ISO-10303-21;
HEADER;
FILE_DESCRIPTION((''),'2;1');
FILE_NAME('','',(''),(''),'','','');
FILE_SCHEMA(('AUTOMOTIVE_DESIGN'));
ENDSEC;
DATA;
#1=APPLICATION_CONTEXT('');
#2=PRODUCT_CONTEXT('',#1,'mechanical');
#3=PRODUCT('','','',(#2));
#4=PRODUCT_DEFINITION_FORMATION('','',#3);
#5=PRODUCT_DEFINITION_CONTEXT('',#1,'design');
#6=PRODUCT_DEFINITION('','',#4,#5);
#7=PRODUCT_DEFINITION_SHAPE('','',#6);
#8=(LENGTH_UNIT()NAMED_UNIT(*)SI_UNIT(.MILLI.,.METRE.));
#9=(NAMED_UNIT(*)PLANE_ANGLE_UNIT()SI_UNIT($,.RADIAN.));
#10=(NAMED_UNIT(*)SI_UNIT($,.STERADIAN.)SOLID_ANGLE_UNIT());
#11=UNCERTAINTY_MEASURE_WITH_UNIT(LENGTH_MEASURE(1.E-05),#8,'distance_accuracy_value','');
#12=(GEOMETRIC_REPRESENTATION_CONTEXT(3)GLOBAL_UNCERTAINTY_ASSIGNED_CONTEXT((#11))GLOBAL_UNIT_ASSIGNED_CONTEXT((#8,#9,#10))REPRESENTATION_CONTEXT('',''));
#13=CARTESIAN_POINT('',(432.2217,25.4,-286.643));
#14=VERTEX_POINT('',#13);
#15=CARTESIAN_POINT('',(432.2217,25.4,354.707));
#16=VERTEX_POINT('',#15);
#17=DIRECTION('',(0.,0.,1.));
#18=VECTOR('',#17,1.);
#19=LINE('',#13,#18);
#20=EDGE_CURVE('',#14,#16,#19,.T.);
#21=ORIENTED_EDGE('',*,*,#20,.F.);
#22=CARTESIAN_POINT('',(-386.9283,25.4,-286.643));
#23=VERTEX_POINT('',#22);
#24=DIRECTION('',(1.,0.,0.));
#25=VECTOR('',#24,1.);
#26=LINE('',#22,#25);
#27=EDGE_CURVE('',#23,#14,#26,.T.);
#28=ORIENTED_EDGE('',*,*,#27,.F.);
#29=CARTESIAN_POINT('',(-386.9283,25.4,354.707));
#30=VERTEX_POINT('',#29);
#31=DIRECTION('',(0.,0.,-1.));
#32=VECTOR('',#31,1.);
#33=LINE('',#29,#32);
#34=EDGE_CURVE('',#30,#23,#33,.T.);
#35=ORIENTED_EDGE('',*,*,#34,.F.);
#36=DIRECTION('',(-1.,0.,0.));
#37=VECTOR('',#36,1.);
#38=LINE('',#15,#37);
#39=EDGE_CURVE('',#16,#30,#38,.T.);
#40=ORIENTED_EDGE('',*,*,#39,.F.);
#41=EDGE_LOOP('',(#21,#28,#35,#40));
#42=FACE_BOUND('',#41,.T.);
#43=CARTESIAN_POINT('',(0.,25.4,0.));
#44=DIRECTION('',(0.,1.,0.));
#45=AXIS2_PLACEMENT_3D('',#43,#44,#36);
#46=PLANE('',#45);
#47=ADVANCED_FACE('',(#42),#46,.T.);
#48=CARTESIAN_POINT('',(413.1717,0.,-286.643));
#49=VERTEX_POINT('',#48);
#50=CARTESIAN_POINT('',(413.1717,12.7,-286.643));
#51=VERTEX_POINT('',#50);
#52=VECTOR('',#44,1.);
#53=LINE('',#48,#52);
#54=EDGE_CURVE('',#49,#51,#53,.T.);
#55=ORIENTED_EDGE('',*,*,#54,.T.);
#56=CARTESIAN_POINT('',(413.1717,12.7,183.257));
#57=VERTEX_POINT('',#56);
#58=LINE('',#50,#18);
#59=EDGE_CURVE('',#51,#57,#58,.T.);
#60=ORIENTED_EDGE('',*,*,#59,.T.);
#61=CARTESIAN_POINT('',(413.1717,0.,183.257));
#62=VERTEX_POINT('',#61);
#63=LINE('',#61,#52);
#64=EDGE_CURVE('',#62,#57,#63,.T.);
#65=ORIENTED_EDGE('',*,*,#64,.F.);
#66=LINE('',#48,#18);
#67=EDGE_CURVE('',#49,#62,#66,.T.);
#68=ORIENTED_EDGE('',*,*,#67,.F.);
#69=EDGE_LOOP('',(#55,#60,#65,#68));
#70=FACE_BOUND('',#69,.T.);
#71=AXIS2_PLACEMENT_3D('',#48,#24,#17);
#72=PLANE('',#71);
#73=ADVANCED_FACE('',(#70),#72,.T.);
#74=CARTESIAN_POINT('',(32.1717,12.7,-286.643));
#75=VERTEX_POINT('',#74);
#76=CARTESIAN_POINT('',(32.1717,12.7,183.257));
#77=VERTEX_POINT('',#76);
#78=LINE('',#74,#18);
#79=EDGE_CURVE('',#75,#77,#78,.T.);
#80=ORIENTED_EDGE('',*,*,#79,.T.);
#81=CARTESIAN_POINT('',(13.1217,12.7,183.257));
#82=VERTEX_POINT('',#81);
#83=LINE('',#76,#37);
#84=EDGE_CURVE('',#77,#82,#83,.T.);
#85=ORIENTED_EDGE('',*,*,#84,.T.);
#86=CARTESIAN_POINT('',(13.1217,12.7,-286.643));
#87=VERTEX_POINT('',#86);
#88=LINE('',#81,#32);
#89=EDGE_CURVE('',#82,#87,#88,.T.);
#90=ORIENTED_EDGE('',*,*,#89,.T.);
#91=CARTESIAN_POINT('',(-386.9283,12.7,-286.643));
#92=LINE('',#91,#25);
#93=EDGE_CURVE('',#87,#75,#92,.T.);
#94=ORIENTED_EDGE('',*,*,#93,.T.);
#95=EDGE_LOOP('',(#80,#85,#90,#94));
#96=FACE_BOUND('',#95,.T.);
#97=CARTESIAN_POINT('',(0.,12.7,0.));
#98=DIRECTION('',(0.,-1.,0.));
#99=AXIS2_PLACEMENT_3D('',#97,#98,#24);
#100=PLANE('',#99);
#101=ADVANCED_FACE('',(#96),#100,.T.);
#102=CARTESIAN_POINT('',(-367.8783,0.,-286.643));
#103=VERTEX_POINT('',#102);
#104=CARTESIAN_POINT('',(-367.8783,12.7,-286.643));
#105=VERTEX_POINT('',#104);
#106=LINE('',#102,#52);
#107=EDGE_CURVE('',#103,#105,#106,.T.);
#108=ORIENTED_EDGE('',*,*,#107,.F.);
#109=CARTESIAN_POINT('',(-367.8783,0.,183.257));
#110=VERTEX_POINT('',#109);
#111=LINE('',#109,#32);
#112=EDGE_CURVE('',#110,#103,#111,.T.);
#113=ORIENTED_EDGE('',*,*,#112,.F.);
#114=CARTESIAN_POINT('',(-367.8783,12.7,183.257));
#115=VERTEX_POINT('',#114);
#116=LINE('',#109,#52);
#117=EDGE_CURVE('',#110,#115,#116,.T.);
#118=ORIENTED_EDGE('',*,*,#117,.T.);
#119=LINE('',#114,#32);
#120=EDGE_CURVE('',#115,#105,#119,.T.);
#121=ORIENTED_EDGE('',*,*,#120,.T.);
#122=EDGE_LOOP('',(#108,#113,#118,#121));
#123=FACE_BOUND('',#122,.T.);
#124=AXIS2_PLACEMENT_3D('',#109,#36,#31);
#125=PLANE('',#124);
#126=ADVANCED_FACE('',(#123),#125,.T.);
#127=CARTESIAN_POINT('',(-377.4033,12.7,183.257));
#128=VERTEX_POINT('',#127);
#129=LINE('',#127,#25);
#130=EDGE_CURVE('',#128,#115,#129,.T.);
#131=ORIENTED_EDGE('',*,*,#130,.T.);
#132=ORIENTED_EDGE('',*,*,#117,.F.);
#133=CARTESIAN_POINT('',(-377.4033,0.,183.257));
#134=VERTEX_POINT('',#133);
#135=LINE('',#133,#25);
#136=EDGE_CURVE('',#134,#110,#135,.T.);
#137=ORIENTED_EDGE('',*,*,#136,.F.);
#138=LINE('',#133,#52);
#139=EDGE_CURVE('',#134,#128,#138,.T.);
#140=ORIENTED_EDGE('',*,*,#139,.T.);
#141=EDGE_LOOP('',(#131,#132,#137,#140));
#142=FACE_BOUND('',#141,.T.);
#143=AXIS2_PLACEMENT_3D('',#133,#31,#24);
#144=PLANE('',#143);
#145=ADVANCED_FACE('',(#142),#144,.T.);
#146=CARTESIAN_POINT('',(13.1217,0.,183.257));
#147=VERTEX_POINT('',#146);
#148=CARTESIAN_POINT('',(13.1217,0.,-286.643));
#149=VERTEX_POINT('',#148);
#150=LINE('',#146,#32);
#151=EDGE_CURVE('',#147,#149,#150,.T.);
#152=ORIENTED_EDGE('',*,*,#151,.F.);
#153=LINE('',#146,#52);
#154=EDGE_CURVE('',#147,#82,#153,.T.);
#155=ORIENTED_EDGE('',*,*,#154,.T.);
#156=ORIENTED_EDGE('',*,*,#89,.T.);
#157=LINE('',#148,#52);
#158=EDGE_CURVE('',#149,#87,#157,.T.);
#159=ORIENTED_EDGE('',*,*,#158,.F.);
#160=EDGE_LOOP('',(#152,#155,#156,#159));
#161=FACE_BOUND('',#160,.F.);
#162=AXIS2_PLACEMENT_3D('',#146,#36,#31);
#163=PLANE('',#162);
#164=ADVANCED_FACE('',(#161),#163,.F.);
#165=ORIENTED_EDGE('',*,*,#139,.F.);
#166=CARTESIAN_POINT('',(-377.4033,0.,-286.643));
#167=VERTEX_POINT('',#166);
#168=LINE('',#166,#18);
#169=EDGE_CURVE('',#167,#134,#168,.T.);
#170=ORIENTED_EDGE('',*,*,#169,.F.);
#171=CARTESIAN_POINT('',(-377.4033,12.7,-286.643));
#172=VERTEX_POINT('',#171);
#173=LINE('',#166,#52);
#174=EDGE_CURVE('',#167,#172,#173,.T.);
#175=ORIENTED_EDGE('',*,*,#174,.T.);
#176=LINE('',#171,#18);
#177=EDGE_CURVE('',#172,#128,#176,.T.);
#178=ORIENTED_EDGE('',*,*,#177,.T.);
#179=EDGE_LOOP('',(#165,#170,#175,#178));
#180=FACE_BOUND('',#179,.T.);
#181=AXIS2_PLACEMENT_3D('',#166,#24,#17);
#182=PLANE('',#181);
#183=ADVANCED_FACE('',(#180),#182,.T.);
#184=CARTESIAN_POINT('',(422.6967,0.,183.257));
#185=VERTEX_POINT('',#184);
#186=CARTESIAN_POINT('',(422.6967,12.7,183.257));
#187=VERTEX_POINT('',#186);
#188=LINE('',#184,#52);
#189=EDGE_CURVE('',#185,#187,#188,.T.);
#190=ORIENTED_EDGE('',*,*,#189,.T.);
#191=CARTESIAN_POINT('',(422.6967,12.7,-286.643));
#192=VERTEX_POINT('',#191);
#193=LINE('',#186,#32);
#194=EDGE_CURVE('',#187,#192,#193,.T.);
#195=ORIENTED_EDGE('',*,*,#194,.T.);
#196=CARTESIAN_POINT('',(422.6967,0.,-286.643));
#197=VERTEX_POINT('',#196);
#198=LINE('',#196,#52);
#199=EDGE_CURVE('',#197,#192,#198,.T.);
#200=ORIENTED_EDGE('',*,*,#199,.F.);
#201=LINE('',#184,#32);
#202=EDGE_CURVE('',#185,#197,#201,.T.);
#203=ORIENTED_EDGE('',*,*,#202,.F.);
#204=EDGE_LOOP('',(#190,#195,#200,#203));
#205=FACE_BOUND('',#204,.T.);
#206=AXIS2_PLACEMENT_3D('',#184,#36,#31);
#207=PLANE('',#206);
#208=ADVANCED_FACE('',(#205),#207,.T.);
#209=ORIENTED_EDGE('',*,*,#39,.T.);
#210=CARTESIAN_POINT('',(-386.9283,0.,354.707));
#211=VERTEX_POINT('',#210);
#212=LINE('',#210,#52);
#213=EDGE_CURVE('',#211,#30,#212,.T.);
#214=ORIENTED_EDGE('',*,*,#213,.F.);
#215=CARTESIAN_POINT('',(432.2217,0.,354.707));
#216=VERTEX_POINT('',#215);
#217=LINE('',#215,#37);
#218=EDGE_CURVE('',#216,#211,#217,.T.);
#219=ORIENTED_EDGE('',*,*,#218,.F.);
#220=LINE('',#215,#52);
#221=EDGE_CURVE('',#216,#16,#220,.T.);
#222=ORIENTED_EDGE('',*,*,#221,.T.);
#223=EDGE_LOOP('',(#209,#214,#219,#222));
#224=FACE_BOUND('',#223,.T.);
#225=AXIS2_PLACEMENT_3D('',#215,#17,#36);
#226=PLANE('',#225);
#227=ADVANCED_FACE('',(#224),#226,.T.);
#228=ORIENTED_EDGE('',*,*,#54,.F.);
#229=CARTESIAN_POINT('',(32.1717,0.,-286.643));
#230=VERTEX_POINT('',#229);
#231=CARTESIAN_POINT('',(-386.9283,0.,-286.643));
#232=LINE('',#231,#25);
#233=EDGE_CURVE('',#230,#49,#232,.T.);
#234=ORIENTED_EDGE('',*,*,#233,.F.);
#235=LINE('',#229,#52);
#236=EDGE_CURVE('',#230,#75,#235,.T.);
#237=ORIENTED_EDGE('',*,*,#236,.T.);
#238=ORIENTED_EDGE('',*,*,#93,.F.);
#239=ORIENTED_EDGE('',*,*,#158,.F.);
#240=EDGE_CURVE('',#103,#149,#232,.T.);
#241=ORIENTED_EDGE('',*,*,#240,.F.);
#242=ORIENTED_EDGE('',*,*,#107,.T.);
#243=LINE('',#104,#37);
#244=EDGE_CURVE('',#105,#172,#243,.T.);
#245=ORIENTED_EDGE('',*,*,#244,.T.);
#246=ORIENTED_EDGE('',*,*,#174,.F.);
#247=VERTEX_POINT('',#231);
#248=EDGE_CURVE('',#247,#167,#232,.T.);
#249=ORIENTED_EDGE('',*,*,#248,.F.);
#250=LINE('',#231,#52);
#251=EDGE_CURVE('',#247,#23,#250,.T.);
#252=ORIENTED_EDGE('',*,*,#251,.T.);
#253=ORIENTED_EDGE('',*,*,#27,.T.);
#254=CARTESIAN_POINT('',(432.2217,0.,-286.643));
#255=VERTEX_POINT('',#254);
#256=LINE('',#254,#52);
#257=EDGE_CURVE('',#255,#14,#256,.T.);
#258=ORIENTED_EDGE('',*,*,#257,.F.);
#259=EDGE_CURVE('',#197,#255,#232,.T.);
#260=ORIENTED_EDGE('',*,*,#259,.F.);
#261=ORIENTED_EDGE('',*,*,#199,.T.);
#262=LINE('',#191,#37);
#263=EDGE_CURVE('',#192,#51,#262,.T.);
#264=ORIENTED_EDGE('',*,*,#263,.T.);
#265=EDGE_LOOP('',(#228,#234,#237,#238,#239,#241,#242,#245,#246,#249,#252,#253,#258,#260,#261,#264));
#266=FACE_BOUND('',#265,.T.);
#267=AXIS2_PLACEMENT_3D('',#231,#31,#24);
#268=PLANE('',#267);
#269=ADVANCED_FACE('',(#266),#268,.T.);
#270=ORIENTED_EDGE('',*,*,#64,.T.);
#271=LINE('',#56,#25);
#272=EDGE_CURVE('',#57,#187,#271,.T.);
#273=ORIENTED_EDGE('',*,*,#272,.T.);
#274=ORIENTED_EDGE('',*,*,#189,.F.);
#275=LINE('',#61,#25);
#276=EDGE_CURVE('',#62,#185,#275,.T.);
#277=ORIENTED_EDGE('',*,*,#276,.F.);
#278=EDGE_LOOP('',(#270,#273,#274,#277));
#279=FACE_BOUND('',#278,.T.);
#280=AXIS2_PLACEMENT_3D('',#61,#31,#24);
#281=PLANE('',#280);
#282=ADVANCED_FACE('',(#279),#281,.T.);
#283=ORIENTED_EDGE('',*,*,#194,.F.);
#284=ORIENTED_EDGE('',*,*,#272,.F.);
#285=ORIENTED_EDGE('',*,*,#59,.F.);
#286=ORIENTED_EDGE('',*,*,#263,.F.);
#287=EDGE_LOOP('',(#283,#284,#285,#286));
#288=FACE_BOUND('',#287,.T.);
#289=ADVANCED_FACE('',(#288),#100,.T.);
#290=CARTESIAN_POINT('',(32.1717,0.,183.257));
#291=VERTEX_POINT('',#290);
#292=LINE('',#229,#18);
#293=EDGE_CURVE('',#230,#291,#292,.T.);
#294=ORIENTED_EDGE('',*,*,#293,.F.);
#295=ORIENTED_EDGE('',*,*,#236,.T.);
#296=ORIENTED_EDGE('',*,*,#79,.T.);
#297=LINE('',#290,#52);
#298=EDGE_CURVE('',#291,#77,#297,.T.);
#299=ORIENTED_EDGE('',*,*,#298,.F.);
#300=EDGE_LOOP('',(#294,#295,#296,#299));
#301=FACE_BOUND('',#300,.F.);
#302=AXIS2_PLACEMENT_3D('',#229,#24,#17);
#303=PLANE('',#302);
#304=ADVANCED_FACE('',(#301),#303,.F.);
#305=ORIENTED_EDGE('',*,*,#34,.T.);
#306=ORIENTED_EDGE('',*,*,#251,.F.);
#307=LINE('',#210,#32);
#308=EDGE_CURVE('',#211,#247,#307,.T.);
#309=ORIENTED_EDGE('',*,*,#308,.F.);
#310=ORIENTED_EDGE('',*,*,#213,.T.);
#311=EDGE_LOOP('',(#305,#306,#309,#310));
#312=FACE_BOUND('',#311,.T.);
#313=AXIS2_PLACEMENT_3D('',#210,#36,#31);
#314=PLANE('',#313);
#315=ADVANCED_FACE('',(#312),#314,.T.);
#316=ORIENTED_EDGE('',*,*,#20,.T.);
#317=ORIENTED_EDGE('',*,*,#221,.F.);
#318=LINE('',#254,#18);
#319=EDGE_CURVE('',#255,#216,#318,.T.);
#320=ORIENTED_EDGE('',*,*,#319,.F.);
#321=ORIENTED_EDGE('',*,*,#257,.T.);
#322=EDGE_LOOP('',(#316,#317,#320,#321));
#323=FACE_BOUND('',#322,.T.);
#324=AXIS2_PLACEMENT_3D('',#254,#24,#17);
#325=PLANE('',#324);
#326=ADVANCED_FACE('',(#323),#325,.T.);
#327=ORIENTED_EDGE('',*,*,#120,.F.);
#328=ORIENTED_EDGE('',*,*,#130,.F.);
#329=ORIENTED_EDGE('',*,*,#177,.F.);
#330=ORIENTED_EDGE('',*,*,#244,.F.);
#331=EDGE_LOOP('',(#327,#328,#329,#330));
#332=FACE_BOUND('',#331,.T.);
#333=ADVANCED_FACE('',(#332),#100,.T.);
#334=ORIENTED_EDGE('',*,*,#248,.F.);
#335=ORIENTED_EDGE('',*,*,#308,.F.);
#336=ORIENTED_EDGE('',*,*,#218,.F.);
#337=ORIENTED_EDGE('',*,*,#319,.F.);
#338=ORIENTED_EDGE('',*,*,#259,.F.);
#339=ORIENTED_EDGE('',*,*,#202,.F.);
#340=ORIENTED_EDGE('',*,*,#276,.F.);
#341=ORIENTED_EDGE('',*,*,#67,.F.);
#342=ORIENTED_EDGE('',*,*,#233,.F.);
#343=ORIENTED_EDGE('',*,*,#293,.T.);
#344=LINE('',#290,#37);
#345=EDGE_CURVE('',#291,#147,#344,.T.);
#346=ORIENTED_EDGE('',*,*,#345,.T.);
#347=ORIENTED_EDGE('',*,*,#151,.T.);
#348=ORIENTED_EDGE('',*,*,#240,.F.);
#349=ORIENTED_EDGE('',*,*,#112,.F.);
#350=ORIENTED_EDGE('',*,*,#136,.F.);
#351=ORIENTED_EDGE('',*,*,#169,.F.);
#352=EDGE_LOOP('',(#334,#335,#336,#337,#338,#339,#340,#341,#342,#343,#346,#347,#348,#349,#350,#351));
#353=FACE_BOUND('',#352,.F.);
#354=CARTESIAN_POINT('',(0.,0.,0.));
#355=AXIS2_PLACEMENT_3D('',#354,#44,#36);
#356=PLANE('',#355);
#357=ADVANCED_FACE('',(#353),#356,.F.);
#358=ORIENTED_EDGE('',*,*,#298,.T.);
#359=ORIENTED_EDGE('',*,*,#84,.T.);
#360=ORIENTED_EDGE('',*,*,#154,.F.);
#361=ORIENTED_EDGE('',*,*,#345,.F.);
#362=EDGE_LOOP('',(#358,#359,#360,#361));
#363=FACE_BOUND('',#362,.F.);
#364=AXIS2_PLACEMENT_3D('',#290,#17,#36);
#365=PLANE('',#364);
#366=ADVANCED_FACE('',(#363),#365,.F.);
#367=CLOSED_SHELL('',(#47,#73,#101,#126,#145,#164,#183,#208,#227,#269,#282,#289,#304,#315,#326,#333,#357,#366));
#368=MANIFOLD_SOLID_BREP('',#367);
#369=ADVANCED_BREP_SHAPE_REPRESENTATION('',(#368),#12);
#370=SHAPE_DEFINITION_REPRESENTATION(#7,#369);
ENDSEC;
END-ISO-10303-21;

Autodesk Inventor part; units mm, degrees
ref_plane "YZ Plane" through (0, 0, 0) normal (1, 0, 0) x (0, 1, 0)
ref_plane "XZ Plane" through (0, 0, 0) normal (0, 1, 0) x (-1, 0, 0)
ref_plane "XY Plane" through (0, 0, 0) normal (0, 0, 1) x (1, 0, 0)
sketch "Sketch1" plane through (0, 0, 0) normal (0, 1, 0) x (-1, 0, 0)
  line L0 (386.9283, -286.643) -> (-432.2217, -286.643)
  line L1 (-432.2217, -286.643) -> (-432.2217, 354.707)
  line L2 (-432.2217, 354.707) -> (386.9283, 354.707)
  line L3 (386.9283, 354.707) -> (386.9283, -286.643)
  point P0 (0, 0)
  dimension "d0" = 641.35
  dimension "d1" = 819.15
extrude "Board" add sketch "Sketch1" along normal blind 25.4
sketch "Sketch2" plane through (0, 0, 0) normal (0, -1, 0) x (1, 0, 0)
  line L0 (422.6967, -286.643) -> (413.1717, -286.643)
  line L1 (413.1717, -286.643) -> (413.1717, 183.257)
  line L2 (413.1717, 183.257) -> (422.6967, 183.257)
  line L3 (422.6967, 183.257) -> (422.6967, -286.643)
  line L4 (-367.8783, -286.643) -> (-377.4033, -286.643)
  line L5 (-377.4033, -286.643) -> (-377.4033, 183.257)
  line L6 (-377.4033, 183.257) -> (-367.8783, 183.257)
  line L7 (-367.8783, 183.257) -> (-367.8783, -286.643)
  line L8 (-386.9283, -286.643) -> (432.2217, -286.643) projected
  line L9 (432.2217, -286.643) -> (432.2217, 354.707) projected
  line L10 (-386.9283, -286.643) -> (-386.9283, 354.707) projected
  line L11 (13.1217, -286.643) -> (32.1717, -286.643)
  line L12 (32.1717, -286.643) -> (32.1717, 183.257)
  line L13 (32.1717, 183.257) -> (13.1217, 183.257)
  line L14 (13.1217, 183.257) -> (13.1217, -286.643)
  point P0 (0, 0)
  dimension "d4" = 469.9
  dimension "d5" = 9.525
  dimension "d6" = 9.525
  dimension "d7" = 9.525
  dimension "d10" = 19.05
  dimension "d11" = 819.15
  dimension "d12" = 400.05
  dimension "d14" = 400.05
extrude "Vertical Wall Stop Dado Notches" cut sketch "Sketch2" against normal blind 12.7
equation "\"d7\" = d6"
equation "\"d12\" = 0.5 * d11 - 0.5 * d10"
properties part number "Top"
